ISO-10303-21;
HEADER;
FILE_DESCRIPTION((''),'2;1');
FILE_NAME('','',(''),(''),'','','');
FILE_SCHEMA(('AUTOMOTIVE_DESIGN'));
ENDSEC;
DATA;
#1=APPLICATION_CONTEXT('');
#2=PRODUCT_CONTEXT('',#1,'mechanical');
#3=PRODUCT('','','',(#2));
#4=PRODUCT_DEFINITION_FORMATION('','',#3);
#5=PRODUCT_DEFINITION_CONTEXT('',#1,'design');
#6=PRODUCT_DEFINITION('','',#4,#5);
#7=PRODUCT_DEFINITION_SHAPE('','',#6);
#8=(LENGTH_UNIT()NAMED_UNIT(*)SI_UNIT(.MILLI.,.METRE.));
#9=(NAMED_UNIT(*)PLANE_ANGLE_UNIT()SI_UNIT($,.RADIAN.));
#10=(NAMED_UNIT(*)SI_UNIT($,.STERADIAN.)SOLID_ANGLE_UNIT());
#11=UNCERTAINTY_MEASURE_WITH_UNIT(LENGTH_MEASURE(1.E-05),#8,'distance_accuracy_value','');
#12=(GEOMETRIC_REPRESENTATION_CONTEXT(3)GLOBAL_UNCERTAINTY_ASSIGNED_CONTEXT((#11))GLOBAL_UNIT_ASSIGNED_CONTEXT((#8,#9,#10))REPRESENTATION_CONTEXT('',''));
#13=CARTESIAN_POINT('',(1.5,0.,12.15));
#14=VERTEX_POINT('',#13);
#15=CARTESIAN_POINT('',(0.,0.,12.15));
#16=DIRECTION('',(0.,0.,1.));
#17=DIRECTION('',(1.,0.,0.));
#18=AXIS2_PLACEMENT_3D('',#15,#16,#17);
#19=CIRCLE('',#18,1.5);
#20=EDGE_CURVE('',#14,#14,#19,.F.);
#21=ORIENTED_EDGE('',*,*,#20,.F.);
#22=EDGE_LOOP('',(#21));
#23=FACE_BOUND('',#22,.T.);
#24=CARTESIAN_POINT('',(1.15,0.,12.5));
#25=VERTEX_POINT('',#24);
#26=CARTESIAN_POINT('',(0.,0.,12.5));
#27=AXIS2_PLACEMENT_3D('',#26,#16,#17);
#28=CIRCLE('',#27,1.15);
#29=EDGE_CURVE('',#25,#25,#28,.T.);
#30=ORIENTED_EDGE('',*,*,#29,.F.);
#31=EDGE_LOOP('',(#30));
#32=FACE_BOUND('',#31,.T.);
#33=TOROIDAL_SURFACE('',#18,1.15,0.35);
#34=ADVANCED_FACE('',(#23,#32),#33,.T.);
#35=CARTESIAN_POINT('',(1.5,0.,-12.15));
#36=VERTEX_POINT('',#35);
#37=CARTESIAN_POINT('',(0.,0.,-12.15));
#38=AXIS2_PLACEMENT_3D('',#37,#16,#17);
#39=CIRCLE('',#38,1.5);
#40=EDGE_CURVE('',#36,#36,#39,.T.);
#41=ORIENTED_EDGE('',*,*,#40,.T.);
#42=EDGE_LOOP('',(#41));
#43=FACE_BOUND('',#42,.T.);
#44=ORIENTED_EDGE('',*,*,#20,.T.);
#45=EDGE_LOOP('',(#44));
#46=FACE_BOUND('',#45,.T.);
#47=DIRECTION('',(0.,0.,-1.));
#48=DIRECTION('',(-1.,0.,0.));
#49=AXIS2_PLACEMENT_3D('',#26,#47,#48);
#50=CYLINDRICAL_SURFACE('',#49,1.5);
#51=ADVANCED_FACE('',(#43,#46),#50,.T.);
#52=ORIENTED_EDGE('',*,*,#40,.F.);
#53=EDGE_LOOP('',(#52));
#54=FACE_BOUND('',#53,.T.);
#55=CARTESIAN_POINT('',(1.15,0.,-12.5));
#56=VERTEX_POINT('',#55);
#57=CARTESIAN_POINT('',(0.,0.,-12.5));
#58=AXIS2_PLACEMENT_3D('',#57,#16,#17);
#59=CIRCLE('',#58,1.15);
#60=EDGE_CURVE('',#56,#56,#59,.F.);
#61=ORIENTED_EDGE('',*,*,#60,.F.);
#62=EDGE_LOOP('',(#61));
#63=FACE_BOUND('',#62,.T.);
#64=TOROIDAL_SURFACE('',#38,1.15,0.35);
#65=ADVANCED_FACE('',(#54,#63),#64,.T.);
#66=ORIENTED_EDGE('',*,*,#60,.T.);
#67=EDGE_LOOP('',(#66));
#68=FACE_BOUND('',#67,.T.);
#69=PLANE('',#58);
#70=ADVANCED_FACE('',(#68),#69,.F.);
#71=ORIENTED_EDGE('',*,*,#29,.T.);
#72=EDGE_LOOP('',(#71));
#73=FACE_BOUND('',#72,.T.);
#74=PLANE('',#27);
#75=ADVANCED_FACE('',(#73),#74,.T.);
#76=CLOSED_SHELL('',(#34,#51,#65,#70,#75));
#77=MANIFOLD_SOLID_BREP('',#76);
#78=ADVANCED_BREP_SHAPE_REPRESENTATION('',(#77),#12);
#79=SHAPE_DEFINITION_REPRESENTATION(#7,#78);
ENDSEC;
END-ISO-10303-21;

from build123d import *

# Parameters (mm, degrees)
SKETCH1_R           = 1.5
BOSS_EXTRUDE1_DEPTH = 12.5
FILLET1_R           = 0.35


with BuildPart() as part:
    # Sketch1 → Boss-Extrude1 (new body, symmetric)
    with BuildSketch(Plane.XY):
        Circle(SKETCH1_R)
    extrude(amount=BOSS_EXTRUDE1_DEPTH, both=True)

    # Fillet1
    fillet1_edges = [part.edges().sort_by_distance(p)[0] for p in [
        (-1.5, 0, -12.5),
        (-1.5, 0, 12.5),
    ]]
    fillet(fillet1_edges, radius=FILLET1_R)


solid = part.part
